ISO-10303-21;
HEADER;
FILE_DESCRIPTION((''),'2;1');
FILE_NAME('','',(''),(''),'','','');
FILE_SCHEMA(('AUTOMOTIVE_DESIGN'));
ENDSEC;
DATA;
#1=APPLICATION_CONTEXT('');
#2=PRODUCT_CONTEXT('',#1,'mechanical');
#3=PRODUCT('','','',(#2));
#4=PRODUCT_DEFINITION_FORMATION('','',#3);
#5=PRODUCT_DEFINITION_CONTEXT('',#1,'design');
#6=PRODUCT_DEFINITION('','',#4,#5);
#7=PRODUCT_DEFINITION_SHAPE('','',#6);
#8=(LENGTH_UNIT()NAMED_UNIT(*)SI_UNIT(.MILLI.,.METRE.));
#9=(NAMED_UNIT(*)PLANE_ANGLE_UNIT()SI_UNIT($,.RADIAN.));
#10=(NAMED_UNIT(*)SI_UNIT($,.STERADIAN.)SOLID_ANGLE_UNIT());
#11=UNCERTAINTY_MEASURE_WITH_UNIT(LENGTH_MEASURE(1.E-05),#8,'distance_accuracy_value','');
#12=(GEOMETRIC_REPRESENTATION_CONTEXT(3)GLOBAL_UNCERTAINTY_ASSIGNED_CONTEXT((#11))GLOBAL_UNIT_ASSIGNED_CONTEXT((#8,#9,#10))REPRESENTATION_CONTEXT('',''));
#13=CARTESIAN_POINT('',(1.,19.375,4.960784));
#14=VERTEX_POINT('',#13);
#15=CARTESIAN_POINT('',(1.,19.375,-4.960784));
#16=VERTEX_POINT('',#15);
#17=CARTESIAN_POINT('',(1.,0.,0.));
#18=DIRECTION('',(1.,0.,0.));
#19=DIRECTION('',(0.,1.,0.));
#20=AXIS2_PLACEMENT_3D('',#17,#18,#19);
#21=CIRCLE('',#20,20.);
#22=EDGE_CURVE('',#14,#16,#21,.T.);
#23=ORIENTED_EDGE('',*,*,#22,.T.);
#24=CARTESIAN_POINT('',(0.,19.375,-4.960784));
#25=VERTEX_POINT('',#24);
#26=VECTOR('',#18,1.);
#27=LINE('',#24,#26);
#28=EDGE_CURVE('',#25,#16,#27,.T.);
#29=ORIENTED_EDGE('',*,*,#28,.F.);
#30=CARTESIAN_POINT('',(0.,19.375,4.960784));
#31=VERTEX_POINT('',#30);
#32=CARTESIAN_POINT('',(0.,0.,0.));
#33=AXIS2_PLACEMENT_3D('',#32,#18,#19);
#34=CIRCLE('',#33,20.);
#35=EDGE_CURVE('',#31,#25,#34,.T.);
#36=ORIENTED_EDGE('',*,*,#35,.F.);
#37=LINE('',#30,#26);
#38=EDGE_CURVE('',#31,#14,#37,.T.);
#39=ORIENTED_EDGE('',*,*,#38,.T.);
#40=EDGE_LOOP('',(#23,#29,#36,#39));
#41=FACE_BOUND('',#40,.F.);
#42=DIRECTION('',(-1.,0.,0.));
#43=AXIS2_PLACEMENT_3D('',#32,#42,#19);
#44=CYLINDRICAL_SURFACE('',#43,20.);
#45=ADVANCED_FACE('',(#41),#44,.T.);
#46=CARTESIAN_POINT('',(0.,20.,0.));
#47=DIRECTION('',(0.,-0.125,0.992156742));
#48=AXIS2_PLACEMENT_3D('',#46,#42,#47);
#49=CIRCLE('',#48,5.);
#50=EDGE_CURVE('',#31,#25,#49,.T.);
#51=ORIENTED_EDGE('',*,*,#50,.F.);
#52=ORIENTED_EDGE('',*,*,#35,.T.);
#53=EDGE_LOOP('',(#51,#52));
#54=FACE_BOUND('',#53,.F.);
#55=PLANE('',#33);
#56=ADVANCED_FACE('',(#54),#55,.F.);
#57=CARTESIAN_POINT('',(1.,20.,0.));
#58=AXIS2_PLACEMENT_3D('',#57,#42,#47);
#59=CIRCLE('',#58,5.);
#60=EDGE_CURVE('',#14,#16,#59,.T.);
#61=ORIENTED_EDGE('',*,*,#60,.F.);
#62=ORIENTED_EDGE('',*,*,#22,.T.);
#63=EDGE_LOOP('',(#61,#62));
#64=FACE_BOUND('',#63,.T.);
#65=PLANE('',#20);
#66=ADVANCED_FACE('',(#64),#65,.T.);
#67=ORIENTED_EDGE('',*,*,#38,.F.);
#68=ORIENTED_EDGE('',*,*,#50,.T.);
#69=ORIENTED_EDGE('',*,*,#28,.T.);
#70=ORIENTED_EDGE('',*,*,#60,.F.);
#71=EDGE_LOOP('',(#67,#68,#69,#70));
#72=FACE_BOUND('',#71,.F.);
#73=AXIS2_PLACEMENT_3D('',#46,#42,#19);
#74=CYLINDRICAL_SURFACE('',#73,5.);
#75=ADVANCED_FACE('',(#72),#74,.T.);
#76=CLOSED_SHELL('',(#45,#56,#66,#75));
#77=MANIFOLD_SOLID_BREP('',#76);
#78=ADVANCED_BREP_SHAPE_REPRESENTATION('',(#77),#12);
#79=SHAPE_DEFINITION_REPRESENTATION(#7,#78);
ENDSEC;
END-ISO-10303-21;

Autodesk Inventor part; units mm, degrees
ref_plane "YZ Plane" through (0, 0, 0) normal (1, 0, 0) x (0, 1, 0)
ref_plane "XZ Plane" through (0, 0, 0) normal (0, 1, 0) x (-1, 0, 0)
ref_plane "XY Plane" through (0, 0, 0) normal (0, 0, 1) x (1, 0, 0)
sketch "スケッチ1" plane through (0, 0, 0) normal (1, 0, 0) x (0, 1, 0)
  circle A0 centre (0, 0) radius 20
  circle A1 centre (20, 0) radius 5
  point P0 (19.375, 4.9608)
  point P1 (19.375, -4.9608)
  dimension "d0" = 40
  dimension "d1" = 20
  dimension "d2" = 10
extrude "押し出し1" add sketch "スケッチ1" along normal blind 1
properties part number "knee_drive_plate"
